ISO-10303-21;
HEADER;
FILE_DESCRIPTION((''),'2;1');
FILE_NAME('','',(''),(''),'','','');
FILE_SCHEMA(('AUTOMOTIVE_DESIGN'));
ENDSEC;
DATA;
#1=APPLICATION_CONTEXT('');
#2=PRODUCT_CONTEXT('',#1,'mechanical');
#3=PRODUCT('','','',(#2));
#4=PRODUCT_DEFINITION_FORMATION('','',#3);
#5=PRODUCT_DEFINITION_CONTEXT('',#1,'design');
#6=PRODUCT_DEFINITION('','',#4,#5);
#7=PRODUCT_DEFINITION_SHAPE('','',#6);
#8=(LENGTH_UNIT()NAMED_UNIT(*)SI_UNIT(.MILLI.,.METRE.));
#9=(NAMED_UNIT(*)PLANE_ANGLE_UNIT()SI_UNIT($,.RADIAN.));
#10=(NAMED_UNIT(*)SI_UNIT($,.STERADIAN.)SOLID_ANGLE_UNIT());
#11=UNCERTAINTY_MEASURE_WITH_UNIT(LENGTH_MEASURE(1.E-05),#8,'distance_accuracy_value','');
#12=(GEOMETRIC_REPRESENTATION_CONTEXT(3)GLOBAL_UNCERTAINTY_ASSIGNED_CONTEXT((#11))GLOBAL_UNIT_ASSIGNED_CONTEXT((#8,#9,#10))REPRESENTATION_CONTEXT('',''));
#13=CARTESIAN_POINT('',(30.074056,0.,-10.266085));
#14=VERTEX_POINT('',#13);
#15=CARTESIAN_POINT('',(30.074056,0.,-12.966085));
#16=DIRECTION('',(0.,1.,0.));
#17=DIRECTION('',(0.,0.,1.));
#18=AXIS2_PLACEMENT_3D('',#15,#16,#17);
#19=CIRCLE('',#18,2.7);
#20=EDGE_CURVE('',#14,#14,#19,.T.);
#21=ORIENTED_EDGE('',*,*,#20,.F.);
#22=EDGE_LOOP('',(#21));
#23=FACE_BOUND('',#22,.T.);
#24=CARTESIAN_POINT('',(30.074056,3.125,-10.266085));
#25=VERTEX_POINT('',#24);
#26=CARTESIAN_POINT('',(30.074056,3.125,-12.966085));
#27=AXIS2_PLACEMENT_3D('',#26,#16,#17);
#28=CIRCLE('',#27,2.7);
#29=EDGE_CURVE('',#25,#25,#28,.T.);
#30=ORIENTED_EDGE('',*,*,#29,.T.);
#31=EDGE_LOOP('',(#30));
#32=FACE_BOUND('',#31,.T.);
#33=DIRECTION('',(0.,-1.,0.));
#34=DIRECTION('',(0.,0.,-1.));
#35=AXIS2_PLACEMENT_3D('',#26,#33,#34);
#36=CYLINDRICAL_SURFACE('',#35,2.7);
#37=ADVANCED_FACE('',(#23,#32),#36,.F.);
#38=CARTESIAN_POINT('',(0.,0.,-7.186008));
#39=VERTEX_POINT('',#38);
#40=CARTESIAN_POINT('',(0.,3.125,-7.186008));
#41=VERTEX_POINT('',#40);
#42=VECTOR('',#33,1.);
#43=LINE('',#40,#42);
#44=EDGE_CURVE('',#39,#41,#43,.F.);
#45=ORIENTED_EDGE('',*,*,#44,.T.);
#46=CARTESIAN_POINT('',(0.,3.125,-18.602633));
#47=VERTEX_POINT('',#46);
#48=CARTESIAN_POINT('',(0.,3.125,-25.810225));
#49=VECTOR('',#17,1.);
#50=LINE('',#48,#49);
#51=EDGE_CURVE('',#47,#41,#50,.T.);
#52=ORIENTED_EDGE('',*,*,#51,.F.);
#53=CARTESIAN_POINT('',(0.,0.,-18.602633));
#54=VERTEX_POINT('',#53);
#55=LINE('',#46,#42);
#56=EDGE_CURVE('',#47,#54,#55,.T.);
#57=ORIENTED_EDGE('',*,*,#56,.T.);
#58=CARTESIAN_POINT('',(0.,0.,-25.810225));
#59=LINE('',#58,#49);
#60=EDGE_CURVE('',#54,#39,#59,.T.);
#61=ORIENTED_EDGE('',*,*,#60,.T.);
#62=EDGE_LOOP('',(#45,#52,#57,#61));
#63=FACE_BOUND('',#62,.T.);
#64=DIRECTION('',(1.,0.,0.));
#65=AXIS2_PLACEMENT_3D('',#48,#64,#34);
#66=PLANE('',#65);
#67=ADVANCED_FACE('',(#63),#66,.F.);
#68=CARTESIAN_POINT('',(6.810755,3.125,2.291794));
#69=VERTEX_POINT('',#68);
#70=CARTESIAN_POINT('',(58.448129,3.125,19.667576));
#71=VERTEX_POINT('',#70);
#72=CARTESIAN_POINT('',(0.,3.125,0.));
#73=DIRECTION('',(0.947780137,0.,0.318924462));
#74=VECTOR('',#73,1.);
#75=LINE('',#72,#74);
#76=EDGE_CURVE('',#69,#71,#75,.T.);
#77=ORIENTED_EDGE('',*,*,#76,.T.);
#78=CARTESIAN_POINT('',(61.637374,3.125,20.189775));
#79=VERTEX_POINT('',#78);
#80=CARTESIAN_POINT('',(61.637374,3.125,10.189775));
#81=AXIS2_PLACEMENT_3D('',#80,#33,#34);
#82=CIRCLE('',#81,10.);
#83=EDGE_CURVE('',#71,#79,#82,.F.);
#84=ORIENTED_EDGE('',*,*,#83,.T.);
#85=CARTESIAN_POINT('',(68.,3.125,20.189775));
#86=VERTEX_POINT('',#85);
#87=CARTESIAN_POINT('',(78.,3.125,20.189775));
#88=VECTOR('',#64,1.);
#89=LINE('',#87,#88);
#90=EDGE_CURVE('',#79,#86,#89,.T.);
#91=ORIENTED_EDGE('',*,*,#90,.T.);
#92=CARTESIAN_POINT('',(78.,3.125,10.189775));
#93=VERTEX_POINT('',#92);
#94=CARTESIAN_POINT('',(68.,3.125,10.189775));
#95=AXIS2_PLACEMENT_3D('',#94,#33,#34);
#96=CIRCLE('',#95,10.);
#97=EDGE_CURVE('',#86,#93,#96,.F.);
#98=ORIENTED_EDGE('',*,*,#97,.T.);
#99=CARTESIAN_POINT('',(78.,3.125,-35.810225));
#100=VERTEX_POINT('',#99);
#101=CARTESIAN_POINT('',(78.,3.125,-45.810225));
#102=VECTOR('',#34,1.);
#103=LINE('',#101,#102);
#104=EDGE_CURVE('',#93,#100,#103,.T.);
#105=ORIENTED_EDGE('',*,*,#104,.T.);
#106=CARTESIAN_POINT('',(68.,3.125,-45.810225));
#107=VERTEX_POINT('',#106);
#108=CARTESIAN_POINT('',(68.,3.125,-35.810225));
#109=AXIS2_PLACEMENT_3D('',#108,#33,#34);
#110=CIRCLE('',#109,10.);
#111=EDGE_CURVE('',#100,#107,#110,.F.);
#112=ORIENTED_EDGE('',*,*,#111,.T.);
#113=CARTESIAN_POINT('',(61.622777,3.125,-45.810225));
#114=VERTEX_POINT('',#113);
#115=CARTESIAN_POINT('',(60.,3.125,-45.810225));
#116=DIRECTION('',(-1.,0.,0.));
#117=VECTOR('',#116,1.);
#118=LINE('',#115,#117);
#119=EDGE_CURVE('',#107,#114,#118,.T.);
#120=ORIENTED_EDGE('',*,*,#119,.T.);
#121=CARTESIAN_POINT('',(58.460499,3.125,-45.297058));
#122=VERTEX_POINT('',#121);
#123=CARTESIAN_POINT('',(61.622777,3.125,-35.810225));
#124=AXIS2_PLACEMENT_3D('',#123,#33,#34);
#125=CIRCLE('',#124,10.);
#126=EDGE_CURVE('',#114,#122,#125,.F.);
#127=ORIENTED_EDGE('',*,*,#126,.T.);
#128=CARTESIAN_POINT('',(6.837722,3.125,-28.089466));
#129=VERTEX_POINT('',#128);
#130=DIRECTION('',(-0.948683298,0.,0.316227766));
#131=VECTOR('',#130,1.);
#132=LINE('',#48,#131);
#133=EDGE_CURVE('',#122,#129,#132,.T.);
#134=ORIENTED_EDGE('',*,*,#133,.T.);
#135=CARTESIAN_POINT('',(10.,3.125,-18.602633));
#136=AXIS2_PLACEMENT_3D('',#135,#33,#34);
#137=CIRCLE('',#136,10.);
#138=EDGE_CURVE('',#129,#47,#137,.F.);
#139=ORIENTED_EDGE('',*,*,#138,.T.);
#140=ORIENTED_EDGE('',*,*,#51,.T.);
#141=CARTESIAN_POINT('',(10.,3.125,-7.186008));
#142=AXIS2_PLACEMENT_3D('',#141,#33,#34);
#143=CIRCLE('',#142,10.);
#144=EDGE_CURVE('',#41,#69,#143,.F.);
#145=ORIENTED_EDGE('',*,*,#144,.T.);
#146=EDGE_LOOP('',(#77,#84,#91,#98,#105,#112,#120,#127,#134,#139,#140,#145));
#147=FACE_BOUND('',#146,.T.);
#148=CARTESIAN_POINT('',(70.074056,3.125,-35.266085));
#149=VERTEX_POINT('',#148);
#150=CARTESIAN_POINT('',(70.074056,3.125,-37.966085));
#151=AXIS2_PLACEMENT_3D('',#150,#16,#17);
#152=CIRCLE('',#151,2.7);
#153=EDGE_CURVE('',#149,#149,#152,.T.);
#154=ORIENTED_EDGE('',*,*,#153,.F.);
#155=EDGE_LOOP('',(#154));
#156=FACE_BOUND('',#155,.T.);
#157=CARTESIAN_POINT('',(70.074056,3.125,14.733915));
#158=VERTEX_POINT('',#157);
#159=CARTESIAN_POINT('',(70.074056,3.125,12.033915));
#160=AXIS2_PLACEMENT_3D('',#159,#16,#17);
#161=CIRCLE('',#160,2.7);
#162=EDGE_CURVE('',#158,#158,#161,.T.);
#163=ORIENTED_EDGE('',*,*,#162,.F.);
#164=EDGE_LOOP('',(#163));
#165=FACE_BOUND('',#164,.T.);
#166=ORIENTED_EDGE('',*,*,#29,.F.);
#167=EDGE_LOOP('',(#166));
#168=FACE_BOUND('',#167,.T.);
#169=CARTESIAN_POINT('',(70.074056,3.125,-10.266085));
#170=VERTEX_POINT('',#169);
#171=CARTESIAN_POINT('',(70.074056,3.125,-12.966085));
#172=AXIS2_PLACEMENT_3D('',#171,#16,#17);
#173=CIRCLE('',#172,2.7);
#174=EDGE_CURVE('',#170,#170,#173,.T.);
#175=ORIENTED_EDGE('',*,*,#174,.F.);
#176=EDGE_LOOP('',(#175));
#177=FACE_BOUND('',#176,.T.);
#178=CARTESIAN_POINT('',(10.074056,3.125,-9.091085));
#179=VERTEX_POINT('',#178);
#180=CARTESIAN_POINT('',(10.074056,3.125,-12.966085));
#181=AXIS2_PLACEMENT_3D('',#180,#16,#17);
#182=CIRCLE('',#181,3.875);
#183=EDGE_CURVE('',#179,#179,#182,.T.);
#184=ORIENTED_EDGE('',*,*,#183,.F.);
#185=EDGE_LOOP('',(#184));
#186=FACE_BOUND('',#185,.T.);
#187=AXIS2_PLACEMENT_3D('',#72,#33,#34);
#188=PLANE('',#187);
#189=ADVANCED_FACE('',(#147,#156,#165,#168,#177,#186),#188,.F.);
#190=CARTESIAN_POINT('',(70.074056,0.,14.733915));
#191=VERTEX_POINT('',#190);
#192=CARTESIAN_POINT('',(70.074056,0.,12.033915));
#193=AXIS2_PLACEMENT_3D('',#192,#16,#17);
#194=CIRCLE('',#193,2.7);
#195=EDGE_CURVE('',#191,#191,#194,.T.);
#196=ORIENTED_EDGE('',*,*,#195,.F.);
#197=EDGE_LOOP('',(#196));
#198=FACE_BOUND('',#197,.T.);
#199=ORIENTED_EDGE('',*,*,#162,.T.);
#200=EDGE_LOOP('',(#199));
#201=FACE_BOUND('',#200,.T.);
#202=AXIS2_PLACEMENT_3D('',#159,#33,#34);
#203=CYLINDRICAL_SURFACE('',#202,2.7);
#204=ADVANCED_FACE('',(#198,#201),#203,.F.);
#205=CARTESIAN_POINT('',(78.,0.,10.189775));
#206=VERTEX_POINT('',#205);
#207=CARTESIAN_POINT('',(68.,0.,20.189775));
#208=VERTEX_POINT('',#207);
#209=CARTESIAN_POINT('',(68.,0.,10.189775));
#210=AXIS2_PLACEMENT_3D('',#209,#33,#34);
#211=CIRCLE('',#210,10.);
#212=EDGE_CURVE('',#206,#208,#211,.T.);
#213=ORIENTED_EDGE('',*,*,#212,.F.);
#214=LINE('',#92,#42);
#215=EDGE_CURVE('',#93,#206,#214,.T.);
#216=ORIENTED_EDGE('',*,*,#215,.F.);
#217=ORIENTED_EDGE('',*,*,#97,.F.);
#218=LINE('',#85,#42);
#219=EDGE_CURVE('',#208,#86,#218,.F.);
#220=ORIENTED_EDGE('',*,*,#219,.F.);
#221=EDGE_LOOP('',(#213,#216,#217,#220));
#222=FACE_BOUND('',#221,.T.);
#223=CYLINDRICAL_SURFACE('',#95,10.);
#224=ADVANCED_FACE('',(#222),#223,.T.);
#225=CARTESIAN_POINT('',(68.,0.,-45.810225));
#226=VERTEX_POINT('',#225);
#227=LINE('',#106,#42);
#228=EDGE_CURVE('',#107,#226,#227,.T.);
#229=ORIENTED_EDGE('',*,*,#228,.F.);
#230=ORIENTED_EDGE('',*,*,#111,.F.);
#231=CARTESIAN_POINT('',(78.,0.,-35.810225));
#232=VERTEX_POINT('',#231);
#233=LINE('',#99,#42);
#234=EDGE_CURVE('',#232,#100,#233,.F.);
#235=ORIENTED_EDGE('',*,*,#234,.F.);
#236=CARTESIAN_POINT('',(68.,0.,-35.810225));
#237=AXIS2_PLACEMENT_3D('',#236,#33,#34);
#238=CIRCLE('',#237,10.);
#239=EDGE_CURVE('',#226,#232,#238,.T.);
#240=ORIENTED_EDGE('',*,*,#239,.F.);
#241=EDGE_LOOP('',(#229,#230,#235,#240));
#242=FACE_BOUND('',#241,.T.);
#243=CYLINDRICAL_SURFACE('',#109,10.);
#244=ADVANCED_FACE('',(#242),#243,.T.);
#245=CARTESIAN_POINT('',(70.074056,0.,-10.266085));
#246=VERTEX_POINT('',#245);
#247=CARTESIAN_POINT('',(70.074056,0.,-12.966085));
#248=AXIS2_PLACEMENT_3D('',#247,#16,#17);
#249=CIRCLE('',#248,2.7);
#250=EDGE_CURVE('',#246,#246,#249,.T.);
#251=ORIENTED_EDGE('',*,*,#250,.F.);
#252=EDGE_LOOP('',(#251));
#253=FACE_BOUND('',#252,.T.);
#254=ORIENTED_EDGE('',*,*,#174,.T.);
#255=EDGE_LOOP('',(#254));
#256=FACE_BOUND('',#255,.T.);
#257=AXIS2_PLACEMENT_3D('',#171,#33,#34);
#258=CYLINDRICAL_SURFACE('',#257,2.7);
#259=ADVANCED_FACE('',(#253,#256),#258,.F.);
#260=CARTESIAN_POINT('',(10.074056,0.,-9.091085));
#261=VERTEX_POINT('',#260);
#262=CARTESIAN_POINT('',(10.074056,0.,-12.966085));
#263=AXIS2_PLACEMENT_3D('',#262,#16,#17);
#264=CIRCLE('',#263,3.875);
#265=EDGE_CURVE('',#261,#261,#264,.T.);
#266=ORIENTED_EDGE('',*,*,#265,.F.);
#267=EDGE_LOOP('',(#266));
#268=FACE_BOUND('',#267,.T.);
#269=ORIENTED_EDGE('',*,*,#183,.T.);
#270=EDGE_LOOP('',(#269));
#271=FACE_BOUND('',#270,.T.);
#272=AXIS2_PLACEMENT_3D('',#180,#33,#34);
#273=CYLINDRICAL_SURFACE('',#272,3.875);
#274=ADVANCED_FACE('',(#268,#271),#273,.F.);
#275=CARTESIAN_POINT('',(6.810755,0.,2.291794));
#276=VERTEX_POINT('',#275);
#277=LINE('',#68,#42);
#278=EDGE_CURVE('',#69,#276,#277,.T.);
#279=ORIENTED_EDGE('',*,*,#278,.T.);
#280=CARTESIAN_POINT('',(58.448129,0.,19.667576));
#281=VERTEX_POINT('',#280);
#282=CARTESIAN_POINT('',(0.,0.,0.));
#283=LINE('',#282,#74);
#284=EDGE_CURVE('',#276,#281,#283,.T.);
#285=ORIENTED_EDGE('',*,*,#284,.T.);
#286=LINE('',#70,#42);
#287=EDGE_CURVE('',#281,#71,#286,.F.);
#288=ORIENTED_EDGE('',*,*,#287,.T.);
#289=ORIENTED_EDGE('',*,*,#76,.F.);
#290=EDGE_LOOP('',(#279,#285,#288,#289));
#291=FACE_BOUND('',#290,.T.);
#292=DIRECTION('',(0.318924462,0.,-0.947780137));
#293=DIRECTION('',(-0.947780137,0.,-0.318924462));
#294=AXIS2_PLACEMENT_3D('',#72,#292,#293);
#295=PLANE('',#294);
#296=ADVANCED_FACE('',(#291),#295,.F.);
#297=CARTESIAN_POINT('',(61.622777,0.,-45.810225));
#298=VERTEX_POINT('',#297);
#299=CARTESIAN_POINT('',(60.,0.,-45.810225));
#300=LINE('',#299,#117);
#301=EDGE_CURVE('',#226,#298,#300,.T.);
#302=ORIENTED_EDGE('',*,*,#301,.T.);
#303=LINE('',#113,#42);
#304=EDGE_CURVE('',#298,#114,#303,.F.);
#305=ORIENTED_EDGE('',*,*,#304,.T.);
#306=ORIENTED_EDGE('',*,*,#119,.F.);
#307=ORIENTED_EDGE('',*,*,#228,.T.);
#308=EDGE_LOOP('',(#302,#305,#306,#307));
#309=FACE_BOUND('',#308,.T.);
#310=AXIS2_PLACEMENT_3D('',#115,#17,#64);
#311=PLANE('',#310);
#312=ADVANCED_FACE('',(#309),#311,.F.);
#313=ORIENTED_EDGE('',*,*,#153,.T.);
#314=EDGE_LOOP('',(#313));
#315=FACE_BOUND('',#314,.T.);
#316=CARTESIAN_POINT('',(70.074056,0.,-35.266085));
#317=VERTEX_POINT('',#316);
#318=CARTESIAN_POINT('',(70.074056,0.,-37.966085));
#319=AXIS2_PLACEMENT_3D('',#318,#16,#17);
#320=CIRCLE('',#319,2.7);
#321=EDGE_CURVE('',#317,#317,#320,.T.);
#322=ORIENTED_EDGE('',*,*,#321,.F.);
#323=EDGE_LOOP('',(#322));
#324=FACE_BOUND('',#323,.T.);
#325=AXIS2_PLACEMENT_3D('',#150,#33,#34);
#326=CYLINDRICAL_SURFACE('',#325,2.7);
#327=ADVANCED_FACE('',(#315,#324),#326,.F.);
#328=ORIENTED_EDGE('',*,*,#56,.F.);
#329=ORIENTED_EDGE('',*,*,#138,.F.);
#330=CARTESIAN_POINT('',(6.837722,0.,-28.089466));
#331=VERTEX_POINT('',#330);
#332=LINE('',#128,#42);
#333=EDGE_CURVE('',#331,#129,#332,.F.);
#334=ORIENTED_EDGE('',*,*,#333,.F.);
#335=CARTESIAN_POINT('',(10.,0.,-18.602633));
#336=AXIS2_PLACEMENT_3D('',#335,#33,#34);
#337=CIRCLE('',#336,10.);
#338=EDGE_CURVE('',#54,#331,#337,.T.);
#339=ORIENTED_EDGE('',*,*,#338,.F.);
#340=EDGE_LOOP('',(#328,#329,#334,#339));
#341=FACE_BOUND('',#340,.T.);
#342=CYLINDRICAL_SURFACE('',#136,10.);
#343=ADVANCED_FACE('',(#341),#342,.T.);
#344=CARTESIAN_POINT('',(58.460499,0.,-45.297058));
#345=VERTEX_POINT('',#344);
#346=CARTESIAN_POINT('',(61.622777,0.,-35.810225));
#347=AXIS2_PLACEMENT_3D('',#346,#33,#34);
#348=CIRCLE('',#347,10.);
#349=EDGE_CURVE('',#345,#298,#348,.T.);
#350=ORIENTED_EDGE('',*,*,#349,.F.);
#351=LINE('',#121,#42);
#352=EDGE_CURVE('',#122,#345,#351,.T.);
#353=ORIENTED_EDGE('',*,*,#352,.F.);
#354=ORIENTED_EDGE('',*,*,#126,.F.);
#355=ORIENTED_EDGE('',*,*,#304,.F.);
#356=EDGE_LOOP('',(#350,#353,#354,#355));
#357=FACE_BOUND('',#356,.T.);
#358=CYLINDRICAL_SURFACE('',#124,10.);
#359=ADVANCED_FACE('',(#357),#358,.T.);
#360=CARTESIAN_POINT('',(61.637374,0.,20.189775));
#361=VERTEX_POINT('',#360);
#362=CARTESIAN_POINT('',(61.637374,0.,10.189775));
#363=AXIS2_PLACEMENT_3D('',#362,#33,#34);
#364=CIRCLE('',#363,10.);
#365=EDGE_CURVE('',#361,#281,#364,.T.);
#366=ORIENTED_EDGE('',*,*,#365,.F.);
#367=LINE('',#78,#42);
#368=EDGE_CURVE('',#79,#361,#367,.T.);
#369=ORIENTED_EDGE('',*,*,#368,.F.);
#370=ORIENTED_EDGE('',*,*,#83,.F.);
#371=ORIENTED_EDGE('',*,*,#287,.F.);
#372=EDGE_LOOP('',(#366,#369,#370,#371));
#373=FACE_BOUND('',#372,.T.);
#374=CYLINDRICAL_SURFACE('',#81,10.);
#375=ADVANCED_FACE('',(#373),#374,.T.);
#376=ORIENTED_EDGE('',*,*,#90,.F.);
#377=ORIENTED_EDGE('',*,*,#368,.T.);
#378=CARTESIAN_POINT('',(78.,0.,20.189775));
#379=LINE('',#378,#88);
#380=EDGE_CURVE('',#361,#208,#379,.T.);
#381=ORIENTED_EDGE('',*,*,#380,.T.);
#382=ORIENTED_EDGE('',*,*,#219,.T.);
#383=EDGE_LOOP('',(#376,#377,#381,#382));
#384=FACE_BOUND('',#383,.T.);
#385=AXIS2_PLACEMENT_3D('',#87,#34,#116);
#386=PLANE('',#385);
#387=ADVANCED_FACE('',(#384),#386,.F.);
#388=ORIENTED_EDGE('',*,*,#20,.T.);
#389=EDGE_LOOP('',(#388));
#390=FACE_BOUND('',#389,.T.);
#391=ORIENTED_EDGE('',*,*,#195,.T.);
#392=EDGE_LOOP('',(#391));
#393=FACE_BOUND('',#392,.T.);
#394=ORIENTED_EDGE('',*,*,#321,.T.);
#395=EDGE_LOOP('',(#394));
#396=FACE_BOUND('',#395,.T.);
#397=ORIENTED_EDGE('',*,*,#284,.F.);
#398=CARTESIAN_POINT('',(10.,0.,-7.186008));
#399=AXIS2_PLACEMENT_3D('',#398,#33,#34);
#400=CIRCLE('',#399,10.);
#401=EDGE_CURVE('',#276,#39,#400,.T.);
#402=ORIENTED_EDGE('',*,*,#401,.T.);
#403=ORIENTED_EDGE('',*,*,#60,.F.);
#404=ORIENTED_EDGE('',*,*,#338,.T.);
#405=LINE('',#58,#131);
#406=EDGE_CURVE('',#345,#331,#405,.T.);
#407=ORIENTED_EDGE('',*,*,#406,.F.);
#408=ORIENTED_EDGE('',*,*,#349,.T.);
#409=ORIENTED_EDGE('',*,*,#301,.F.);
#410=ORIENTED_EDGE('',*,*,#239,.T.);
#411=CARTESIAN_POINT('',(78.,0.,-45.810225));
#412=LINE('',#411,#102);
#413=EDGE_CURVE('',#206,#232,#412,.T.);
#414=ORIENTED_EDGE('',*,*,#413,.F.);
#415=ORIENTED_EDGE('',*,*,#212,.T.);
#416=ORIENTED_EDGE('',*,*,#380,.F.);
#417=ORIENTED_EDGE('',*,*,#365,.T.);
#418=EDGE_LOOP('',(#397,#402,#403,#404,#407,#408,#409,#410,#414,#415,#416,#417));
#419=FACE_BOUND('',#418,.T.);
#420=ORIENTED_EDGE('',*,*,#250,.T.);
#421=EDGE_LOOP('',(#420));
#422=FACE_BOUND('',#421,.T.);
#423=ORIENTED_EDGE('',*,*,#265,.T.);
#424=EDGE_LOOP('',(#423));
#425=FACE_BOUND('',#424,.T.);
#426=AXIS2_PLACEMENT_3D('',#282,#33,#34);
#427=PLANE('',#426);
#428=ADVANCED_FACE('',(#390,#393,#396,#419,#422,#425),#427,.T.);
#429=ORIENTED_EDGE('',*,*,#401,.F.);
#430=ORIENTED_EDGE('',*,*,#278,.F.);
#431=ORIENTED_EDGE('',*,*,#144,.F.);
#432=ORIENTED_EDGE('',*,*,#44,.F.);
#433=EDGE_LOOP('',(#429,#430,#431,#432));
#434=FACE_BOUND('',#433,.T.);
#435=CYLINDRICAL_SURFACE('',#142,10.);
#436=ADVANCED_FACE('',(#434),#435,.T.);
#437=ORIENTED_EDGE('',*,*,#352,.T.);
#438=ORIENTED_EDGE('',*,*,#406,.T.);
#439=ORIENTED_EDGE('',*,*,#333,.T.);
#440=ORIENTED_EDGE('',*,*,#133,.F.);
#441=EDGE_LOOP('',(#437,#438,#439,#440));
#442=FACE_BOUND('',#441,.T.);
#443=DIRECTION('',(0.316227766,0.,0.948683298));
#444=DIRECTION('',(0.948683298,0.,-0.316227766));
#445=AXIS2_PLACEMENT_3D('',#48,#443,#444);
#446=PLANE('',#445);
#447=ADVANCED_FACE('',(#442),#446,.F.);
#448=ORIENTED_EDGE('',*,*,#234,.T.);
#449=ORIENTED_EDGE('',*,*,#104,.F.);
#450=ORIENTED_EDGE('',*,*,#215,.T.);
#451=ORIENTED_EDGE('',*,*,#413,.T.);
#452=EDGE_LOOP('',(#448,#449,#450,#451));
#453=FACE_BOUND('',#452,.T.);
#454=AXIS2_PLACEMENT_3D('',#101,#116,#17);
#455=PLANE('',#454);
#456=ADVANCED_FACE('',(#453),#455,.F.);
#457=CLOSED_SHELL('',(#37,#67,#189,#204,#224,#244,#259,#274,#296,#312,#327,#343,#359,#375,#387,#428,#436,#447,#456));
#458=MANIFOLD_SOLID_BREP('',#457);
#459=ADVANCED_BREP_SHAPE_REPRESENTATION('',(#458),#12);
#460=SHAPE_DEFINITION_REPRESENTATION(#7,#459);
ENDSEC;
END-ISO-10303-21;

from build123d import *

# Parameters (mm, degrees)
SKETCH1_R           = 2.7
SKETCH1_R_2         = 3.875
BOSS_EXTRUDE1_DEPTH = 3.125
FILLET1_R           = 10


with BuildPart() as part:
    # Sketch1 → Boss-Extrude1 (new body)
    with BuildSketch(Plane(origin=(0, 0, 0), x_dir=(1, 0, 0), z_dir=(0, 1, 0))):
        Polygon((0, 25.810224973), (0, 0), (60, -20.189775027), (78, -20.189775027), (78, 45.810224973), (60, 45.810224973), align=None)
        with Locations((70.074055608, -12.033915485)):
            Circle(SKETCH1_R, mode=Mode.SUBTRACT)
        with Locations((10.074055608, 12.966084515)):
            Circle(SKETCH1_R_2, mode=Mode.SUBTRACT)
        with Locations((70.074055608, 37.966084515)):
            Circle(SKETCH1_R, mode=Mode.SUBTRACT)
        with Locations((70.074055608, 12.966084515)):
            Circle(SKETCH1_R, mode=Mode.SUBTRACT)
        with Locations((30.074055608, 12.966084515)):
            Circle(SKETCH1_R, mode=Mode.SUBTRACT)
    extrude(amount=BOSS_EXTRUDE1_DEPTH)

    # Fillet1
    fillet1_edges = [part.edges().sort_by_distance(p)[0] for p in [
        (60, 1.5625, -45.810224973),
        (78, 1.5625, -45.810224973),
        (78, 1.5625, 20.189775027),
        (60, 1.5625, 20.189775027),
        (0, 1.5625, 0),
        (0, 1.5625, -25.810224973),
    ]]
    fillet(fillet1_edges, radius=FILLET1_R)


solid = part.part
